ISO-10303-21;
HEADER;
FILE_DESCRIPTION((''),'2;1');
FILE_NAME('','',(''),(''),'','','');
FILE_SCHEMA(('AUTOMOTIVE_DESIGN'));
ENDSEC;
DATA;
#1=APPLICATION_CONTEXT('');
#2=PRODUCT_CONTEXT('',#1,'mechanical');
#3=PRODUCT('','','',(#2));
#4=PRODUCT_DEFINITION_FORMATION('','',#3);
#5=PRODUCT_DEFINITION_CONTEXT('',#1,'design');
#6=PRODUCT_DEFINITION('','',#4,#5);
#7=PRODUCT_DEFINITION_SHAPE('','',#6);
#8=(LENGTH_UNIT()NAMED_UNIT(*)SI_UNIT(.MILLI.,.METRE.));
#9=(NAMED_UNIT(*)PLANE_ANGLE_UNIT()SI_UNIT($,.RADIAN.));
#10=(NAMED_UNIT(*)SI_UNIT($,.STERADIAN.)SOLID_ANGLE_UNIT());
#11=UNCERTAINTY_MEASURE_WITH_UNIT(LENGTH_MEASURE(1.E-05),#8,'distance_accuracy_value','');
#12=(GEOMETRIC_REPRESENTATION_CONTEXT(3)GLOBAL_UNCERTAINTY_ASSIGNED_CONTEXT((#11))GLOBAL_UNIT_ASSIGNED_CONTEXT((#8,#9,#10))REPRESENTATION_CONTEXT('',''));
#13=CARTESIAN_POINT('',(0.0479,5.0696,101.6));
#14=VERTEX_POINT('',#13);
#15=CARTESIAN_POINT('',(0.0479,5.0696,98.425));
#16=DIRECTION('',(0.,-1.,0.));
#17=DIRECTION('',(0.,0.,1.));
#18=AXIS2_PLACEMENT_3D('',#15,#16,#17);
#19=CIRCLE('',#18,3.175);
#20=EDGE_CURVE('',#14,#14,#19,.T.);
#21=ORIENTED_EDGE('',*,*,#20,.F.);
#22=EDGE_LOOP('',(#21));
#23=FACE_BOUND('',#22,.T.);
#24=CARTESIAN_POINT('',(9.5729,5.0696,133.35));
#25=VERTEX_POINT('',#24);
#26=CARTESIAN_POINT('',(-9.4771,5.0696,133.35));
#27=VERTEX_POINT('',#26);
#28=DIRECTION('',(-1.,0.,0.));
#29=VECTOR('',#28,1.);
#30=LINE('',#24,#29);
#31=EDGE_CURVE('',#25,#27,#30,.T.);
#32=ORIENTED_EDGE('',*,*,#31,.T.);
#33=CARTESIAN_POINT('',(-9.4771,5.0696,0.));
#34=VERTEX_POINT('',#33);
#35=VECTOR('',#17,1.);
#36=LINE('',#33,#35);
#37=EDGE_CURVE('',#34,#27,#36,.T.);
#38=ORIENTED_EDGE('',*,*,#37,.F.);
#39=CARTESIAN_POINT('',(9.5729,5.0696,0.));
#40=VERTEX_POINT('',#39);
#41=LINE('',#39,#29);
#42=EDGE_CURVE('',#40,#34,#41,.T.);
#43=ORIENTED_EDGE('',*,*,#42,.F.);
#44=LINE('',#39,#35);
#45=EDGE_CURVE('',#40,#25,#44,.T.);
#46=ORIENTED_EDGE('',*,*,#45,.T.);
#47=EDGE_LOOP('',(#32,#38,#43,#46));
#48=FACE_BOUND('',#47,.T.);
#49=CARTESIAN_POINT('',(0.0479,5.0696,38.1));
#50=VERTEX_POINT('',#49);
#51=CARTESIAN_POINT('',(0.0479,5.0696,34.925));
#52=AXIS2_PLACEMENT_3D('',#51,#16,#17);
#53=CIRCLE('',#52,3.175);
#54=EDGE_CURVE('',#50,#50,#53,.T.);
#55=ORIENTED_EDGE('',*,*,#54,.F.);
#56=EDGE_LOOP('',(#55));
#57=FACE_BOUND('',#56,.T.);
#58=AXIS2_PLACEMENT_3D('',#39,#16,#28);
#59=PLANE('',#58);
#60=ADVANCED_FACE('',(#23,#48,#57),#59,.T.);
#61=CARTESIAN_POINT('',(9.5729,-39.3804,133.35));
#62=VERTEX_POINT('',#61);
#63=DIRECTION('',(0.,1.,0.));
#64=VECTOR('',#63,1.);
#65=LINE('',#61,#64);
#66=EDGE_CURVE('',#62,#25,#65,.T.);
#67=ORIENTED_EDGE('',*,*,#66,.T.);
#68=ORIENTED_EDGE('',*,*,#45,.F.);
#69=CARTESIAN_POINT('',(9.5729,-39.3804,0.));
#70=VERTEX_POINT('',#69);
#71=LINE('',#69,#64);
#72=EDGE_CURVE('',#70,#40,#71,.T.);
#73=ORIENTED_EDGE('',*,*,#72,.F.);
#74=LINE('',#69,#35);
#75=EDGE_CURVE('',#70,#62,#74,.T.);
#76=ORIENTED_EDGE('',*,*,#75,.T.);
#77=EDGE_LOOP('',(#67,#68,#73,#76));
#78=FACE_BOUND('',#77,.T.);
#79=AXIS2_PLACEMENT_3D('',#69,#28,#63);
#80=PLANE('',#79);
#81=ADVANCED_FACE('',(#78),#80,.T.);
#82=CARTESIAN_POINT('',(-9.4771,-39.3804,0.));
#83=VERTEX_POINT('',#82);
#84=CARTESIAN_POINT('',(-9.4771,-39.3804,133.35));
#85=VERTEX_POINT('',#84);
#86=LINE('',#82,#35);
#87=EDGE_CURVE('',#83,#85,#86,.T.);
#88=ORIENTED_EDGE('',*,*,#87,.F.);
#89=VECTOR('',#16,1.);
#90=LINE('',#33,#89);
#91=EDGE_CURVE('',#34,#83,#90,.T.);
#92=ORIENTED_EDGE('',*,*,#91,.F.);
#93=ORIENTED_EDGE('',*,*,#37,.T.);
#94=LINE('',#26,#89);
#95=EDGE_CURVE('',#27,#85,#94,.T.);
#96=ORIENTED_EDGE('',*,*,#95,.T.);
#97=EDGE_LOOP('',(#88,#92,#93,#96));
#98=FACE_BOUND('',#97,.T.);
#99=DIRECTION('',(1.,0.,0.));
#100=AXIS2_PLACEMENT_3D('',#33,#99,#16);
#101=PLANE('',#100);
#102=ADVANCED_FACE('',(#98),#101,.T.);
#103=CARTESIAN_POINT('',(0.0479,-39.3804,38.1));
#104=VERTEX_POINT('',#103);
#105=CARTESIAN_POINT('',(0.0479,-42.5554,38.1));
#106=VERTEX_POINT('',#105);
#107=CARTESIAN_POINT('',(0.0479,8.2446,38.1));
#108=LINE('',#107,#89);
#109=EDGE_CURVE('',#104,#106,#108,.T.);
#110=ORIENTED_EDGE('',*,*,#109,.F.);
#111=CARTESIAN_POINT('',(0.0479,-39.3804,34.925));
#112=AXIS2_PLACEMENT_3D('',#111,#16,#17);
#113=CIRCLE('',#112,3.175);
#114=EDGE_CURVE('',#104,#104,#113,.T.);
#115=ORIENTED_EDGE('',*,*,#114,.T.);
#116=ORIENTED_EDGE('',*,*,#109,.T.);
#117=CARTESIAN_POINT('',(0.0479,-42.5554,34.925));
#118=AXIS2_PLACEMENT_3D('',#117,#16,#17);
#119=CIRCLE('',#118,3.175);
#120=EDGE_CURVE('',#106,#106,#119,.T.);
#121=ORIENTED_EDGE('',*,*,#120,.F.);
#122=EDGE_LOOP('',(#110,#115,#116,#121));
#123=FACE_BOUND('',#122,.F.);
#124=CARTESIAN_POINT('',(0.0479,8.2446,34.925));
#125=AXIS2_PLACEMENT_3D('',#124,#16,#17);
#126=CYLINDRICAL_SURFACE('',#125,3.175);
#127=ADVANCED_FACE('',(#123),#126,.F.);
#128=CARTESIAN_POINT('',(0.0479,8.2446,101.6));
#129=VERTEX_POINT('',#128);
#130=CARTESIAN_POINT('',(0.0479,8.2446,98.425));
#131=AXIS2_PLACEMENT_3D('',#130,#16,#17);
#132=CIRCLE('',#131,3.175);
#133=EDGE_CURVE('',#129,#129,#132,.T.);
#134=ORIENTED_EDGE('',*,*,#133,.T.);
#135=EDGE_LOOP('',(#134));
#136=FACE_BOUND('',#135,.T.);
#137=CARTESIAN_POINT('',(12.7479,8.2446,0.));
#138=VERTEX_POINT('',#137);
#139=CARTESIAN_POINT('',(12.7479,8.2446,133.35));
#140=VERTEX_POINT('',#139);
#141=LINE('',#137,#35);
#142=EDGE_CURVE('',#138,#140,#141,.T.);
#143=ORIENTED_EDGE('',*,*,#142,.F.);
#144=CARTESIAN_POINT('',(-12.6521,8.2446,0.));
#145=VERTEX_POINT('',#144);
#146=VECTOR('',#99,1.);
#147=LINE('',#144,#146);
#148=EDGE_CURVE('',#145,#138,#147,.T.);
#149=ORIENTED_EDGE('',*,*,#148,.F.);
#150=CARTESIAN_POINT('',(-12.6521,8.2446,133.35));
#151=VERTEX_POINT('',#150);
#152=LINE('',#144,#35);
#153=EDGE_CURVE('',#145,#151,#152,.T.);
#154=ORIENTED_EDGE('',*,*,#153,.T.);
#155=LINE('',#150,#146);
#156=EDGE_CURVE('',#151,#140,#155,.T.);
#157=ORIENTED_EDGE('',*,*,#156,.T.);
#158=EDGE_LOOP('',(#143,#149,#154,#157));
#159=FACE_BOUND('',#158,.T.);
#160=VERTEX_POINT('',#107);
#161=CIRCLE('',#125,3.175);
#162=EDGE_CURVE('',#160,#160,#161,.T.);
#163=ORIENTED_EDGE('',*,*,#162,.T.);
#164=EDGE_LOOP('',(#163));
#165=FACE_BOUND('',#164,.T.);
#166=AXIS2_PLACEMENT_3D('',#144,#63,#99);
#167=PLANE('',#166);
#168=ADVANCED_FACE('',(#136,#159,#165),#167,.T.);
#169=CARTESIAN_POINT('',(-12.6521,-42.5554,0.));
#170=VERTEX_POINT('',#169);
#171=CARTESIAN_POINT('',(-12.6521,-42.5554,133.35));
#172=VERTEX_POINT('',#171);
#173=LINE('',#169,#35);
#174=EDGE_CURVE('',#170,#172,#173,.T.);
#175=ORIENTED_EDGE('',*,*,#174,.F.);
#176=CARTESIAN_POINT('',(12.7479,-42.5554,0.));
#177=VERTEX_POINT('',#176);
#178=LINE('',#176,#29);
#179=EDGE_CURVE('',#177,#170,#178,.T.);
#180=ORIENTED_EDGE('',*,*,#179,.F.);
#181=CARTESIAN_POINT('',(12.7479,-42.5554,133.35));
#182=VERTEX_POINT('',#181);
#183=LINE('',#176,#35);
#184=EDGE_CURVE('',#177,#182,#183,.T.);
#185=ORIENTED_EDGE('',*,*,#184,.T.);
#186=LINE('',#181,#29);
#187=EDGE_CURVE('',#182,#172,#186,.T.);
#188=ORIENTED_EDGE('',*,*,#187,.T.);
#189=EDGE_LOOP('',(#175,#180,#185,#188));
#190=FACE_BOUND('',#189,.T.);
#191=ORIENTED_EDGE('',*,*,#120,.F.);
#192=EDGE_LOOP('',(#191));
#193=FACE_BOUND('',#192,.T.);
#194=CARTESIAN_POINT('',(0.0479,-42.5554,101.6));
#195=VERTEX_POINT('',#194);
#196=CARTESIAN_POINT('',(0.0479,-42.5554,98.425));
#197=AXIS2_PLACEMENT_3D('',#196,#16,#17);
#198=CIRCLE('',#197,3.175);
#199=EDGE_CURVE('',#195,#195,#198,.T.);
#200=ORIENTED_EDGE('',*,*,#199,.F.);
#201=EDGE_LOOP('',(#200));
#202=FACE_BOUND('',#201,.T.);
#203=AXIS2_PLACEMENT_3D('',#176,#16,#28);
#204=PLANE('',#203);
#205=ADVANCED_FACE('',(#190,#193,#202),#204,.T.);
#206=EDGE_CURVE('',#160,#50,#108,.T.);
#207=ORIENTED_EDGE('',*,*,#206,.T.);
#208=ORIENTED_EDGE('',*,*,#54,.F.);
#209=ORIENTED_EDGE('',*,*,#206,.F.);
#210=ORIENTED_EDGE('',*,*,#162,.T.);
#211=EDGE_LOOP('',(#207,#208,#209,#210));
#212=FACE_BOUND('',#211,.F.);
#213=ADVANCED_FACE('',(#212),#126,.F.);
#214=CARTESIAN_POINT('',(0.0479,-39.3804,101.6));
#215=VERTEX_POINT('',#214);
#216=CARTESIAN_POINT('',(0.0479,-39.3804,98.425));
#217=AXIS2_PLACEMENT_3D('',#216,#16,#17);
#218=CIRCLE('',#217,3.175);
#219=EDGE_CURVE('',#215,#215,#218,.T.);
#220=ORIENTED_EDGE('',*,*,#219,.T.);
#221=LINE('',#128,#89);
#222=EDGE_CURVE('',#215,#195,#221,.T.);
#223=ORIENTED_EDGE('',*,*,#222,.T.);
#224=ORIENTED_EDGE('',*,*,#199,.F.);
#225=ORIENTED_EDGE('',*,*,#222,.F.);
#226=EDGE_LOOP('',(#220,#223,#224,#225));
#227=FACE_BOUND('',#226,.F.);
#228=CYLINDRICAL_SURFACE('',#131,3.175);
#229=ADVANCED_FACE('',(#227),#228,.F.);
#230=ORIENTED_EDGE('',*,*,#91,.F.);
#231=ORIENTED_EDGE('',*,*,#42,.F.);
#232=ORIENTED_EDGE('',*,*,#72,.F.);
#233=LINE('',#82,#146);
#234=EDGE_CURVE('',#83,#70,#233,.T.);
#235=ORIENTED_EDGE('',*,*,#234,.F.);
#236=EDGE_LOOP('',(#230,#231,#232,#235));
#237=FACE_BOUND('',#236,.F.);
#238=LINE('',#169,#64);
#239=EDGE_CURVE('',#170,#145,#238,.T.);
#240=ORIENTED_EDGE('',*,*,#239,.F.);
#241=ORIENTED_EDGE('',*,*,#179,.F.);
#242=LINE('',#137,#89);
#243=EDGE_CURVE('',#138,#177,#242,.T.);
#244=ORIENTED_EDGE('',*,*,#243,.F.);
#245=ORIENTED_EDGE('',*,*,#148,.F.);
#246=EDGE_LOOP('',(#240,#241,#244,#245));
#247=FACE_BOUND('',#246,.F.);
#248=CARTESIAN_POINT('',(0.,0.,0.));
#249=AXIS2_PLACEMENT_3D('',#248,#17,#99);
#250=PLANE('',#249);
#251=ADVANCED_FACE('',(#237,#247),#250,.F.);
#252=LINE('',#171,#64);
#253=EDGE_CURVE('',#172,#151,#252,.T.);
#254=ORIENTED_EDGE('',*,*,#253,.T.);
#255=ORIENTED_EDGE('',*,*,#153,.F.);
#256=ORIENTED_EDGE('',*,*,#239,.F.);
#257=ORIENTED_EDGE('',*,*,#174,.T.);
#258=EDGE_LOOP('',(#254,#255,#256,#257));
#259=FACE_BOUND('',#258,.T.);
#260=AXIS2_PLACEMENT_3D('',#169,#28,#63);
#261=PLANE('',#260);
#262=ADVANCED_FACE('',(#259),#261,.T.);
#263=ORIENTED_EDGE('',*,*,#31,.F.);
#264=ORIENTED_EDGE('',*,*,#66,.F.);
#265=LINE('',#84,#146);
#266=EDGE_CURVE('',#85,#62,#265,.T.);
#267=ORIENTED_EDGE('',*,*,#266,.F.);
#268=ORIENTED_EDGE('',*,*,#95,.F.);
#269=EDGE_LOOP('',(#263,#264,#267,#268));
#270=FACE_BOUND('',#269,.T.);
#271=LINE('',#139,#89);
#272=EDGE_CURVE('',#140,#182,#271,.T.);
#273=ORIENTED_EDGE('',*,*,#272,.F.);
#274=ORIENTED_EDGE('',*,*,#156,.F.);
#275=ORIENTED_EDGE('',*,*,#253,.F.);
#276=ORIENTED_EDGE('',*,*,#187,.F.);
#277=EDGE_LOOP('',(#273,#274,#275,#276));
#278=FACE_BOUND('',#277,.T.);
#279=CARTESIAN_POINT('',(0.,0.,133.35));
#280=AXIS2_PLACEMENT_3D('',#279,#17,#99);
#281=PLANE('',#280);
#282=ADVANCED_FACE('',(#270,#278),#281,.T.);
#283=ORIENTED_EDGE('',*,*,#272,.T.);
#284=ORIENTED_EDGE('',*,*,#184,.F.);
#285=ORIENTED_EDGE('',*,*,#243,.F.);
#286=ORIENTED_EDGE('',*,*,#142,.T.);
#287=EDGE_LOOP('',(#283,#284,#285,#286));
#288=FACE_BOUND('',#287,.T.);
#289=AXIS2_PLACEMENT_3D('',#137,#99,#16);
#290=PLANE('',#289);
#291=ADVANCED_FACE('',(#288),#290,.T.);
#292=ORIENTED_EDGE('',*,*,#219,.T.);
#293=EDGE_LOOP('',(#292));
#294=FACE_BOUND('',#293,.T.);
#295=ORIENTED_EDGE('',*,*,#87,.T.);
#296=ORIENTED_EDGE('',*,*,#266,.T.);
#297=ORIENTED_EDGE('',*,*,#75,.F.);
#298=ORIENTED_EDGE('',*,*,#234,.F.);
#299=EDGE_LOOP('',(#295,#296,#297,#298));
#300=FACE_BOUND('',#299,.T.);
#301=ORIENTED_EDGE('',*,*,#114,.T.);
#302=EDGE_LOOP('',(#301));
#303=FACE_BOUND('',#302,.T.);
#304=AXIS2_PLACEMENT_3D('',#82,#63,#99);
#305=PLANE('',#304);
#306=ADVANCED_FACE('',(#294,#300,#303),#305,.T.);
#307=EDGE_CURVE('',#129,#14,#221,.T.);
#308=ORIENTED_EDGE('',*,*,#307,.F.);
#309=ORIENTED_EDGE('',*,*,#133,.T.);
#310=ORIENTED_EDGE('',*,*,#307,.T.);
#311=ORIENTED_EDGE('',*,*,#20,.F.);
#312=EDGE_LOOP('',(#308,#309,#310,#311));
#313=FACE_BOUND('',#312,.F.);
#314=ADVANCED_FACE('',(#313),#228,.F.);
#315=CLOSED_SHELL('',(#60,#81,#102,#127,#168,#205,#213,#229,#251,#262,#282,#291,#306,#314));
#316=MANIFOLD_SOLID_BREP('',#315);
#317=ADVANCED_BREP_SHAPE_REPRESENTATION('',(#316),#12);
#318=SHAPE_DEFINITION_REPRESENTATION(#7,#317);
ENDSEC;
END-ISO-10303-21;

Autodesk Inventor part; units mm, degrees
ref_plane "YZ Plane" through (0, 0, 0) normal (1, 0, 0) x (0, 1, 0)
ref_plane "XZ Plane" through (0, 0, 0) normal (0, 1, 0) x (-1, 0, 0)
ref_plane "XY Plane" through (0, 0, 0) normal (0, 0, 1) x (1, 0, 0)
sketch "Sketch1" plane through (0, 0, 0) normal (0, 0, 1) x (1, 0, 0)
  line L0 (-12.6521, 8.2446) -> (12.7479, 8.2446)
  line L1 (12.7479, 8.2446) -> (12.7479, -42.5554)
  line L2 (12.7479, -42.5554) -> (-12.6521, -42.5554)
  line L3 (-12.6521, -42.5554) -> (-12.6521, 8.2446)
  line L4 (9.5729, 5.0696) -> (-9.4771, 5.0696)
  line L5 (-9.4771, 5.0696) -> (-9.4771, -39.3804)
  line L6 (-9.4771, -39.3804) -> (9.5729, -39.3804)
  line L7 (9.5729, -39.3804) -> (9.5729, 5.0696)
  point P0 (0, 0)
  dimension "d1" = 25.4
  dimension "d4" = 50.8
  dimension "d5" = 3.175
extrude "Extrusion1" add sketch "Sketch1" along normal blind 133.35
sketch "Sketch2" plane through (-12.6521, 8.2446, 0) normal (0, 1, 0) x (1, 0, 0)
  line L0 (25.4, 0) -> (25.4, -133.35) projected
  line L1 (25.4, -133.35) -> (0, -133.35) projected
  point P0 (12.6521, 0)
  point P1 (12.7, -34.925)
  point P2 (12.7, -98.425)
  dimension "d8" = 63.5
  dimension "d9" = 12.7
  dimension "d10" = 12.7
  dimension "d11" = 34.925
hole "Hole1" at (0.0479, 8.2446, 34.925) at (0.0479, 8.2446, 98.425) direction (0, -1, 0) diameter 6.35 end through all
properties part number "Motor Tension Block Mount"
